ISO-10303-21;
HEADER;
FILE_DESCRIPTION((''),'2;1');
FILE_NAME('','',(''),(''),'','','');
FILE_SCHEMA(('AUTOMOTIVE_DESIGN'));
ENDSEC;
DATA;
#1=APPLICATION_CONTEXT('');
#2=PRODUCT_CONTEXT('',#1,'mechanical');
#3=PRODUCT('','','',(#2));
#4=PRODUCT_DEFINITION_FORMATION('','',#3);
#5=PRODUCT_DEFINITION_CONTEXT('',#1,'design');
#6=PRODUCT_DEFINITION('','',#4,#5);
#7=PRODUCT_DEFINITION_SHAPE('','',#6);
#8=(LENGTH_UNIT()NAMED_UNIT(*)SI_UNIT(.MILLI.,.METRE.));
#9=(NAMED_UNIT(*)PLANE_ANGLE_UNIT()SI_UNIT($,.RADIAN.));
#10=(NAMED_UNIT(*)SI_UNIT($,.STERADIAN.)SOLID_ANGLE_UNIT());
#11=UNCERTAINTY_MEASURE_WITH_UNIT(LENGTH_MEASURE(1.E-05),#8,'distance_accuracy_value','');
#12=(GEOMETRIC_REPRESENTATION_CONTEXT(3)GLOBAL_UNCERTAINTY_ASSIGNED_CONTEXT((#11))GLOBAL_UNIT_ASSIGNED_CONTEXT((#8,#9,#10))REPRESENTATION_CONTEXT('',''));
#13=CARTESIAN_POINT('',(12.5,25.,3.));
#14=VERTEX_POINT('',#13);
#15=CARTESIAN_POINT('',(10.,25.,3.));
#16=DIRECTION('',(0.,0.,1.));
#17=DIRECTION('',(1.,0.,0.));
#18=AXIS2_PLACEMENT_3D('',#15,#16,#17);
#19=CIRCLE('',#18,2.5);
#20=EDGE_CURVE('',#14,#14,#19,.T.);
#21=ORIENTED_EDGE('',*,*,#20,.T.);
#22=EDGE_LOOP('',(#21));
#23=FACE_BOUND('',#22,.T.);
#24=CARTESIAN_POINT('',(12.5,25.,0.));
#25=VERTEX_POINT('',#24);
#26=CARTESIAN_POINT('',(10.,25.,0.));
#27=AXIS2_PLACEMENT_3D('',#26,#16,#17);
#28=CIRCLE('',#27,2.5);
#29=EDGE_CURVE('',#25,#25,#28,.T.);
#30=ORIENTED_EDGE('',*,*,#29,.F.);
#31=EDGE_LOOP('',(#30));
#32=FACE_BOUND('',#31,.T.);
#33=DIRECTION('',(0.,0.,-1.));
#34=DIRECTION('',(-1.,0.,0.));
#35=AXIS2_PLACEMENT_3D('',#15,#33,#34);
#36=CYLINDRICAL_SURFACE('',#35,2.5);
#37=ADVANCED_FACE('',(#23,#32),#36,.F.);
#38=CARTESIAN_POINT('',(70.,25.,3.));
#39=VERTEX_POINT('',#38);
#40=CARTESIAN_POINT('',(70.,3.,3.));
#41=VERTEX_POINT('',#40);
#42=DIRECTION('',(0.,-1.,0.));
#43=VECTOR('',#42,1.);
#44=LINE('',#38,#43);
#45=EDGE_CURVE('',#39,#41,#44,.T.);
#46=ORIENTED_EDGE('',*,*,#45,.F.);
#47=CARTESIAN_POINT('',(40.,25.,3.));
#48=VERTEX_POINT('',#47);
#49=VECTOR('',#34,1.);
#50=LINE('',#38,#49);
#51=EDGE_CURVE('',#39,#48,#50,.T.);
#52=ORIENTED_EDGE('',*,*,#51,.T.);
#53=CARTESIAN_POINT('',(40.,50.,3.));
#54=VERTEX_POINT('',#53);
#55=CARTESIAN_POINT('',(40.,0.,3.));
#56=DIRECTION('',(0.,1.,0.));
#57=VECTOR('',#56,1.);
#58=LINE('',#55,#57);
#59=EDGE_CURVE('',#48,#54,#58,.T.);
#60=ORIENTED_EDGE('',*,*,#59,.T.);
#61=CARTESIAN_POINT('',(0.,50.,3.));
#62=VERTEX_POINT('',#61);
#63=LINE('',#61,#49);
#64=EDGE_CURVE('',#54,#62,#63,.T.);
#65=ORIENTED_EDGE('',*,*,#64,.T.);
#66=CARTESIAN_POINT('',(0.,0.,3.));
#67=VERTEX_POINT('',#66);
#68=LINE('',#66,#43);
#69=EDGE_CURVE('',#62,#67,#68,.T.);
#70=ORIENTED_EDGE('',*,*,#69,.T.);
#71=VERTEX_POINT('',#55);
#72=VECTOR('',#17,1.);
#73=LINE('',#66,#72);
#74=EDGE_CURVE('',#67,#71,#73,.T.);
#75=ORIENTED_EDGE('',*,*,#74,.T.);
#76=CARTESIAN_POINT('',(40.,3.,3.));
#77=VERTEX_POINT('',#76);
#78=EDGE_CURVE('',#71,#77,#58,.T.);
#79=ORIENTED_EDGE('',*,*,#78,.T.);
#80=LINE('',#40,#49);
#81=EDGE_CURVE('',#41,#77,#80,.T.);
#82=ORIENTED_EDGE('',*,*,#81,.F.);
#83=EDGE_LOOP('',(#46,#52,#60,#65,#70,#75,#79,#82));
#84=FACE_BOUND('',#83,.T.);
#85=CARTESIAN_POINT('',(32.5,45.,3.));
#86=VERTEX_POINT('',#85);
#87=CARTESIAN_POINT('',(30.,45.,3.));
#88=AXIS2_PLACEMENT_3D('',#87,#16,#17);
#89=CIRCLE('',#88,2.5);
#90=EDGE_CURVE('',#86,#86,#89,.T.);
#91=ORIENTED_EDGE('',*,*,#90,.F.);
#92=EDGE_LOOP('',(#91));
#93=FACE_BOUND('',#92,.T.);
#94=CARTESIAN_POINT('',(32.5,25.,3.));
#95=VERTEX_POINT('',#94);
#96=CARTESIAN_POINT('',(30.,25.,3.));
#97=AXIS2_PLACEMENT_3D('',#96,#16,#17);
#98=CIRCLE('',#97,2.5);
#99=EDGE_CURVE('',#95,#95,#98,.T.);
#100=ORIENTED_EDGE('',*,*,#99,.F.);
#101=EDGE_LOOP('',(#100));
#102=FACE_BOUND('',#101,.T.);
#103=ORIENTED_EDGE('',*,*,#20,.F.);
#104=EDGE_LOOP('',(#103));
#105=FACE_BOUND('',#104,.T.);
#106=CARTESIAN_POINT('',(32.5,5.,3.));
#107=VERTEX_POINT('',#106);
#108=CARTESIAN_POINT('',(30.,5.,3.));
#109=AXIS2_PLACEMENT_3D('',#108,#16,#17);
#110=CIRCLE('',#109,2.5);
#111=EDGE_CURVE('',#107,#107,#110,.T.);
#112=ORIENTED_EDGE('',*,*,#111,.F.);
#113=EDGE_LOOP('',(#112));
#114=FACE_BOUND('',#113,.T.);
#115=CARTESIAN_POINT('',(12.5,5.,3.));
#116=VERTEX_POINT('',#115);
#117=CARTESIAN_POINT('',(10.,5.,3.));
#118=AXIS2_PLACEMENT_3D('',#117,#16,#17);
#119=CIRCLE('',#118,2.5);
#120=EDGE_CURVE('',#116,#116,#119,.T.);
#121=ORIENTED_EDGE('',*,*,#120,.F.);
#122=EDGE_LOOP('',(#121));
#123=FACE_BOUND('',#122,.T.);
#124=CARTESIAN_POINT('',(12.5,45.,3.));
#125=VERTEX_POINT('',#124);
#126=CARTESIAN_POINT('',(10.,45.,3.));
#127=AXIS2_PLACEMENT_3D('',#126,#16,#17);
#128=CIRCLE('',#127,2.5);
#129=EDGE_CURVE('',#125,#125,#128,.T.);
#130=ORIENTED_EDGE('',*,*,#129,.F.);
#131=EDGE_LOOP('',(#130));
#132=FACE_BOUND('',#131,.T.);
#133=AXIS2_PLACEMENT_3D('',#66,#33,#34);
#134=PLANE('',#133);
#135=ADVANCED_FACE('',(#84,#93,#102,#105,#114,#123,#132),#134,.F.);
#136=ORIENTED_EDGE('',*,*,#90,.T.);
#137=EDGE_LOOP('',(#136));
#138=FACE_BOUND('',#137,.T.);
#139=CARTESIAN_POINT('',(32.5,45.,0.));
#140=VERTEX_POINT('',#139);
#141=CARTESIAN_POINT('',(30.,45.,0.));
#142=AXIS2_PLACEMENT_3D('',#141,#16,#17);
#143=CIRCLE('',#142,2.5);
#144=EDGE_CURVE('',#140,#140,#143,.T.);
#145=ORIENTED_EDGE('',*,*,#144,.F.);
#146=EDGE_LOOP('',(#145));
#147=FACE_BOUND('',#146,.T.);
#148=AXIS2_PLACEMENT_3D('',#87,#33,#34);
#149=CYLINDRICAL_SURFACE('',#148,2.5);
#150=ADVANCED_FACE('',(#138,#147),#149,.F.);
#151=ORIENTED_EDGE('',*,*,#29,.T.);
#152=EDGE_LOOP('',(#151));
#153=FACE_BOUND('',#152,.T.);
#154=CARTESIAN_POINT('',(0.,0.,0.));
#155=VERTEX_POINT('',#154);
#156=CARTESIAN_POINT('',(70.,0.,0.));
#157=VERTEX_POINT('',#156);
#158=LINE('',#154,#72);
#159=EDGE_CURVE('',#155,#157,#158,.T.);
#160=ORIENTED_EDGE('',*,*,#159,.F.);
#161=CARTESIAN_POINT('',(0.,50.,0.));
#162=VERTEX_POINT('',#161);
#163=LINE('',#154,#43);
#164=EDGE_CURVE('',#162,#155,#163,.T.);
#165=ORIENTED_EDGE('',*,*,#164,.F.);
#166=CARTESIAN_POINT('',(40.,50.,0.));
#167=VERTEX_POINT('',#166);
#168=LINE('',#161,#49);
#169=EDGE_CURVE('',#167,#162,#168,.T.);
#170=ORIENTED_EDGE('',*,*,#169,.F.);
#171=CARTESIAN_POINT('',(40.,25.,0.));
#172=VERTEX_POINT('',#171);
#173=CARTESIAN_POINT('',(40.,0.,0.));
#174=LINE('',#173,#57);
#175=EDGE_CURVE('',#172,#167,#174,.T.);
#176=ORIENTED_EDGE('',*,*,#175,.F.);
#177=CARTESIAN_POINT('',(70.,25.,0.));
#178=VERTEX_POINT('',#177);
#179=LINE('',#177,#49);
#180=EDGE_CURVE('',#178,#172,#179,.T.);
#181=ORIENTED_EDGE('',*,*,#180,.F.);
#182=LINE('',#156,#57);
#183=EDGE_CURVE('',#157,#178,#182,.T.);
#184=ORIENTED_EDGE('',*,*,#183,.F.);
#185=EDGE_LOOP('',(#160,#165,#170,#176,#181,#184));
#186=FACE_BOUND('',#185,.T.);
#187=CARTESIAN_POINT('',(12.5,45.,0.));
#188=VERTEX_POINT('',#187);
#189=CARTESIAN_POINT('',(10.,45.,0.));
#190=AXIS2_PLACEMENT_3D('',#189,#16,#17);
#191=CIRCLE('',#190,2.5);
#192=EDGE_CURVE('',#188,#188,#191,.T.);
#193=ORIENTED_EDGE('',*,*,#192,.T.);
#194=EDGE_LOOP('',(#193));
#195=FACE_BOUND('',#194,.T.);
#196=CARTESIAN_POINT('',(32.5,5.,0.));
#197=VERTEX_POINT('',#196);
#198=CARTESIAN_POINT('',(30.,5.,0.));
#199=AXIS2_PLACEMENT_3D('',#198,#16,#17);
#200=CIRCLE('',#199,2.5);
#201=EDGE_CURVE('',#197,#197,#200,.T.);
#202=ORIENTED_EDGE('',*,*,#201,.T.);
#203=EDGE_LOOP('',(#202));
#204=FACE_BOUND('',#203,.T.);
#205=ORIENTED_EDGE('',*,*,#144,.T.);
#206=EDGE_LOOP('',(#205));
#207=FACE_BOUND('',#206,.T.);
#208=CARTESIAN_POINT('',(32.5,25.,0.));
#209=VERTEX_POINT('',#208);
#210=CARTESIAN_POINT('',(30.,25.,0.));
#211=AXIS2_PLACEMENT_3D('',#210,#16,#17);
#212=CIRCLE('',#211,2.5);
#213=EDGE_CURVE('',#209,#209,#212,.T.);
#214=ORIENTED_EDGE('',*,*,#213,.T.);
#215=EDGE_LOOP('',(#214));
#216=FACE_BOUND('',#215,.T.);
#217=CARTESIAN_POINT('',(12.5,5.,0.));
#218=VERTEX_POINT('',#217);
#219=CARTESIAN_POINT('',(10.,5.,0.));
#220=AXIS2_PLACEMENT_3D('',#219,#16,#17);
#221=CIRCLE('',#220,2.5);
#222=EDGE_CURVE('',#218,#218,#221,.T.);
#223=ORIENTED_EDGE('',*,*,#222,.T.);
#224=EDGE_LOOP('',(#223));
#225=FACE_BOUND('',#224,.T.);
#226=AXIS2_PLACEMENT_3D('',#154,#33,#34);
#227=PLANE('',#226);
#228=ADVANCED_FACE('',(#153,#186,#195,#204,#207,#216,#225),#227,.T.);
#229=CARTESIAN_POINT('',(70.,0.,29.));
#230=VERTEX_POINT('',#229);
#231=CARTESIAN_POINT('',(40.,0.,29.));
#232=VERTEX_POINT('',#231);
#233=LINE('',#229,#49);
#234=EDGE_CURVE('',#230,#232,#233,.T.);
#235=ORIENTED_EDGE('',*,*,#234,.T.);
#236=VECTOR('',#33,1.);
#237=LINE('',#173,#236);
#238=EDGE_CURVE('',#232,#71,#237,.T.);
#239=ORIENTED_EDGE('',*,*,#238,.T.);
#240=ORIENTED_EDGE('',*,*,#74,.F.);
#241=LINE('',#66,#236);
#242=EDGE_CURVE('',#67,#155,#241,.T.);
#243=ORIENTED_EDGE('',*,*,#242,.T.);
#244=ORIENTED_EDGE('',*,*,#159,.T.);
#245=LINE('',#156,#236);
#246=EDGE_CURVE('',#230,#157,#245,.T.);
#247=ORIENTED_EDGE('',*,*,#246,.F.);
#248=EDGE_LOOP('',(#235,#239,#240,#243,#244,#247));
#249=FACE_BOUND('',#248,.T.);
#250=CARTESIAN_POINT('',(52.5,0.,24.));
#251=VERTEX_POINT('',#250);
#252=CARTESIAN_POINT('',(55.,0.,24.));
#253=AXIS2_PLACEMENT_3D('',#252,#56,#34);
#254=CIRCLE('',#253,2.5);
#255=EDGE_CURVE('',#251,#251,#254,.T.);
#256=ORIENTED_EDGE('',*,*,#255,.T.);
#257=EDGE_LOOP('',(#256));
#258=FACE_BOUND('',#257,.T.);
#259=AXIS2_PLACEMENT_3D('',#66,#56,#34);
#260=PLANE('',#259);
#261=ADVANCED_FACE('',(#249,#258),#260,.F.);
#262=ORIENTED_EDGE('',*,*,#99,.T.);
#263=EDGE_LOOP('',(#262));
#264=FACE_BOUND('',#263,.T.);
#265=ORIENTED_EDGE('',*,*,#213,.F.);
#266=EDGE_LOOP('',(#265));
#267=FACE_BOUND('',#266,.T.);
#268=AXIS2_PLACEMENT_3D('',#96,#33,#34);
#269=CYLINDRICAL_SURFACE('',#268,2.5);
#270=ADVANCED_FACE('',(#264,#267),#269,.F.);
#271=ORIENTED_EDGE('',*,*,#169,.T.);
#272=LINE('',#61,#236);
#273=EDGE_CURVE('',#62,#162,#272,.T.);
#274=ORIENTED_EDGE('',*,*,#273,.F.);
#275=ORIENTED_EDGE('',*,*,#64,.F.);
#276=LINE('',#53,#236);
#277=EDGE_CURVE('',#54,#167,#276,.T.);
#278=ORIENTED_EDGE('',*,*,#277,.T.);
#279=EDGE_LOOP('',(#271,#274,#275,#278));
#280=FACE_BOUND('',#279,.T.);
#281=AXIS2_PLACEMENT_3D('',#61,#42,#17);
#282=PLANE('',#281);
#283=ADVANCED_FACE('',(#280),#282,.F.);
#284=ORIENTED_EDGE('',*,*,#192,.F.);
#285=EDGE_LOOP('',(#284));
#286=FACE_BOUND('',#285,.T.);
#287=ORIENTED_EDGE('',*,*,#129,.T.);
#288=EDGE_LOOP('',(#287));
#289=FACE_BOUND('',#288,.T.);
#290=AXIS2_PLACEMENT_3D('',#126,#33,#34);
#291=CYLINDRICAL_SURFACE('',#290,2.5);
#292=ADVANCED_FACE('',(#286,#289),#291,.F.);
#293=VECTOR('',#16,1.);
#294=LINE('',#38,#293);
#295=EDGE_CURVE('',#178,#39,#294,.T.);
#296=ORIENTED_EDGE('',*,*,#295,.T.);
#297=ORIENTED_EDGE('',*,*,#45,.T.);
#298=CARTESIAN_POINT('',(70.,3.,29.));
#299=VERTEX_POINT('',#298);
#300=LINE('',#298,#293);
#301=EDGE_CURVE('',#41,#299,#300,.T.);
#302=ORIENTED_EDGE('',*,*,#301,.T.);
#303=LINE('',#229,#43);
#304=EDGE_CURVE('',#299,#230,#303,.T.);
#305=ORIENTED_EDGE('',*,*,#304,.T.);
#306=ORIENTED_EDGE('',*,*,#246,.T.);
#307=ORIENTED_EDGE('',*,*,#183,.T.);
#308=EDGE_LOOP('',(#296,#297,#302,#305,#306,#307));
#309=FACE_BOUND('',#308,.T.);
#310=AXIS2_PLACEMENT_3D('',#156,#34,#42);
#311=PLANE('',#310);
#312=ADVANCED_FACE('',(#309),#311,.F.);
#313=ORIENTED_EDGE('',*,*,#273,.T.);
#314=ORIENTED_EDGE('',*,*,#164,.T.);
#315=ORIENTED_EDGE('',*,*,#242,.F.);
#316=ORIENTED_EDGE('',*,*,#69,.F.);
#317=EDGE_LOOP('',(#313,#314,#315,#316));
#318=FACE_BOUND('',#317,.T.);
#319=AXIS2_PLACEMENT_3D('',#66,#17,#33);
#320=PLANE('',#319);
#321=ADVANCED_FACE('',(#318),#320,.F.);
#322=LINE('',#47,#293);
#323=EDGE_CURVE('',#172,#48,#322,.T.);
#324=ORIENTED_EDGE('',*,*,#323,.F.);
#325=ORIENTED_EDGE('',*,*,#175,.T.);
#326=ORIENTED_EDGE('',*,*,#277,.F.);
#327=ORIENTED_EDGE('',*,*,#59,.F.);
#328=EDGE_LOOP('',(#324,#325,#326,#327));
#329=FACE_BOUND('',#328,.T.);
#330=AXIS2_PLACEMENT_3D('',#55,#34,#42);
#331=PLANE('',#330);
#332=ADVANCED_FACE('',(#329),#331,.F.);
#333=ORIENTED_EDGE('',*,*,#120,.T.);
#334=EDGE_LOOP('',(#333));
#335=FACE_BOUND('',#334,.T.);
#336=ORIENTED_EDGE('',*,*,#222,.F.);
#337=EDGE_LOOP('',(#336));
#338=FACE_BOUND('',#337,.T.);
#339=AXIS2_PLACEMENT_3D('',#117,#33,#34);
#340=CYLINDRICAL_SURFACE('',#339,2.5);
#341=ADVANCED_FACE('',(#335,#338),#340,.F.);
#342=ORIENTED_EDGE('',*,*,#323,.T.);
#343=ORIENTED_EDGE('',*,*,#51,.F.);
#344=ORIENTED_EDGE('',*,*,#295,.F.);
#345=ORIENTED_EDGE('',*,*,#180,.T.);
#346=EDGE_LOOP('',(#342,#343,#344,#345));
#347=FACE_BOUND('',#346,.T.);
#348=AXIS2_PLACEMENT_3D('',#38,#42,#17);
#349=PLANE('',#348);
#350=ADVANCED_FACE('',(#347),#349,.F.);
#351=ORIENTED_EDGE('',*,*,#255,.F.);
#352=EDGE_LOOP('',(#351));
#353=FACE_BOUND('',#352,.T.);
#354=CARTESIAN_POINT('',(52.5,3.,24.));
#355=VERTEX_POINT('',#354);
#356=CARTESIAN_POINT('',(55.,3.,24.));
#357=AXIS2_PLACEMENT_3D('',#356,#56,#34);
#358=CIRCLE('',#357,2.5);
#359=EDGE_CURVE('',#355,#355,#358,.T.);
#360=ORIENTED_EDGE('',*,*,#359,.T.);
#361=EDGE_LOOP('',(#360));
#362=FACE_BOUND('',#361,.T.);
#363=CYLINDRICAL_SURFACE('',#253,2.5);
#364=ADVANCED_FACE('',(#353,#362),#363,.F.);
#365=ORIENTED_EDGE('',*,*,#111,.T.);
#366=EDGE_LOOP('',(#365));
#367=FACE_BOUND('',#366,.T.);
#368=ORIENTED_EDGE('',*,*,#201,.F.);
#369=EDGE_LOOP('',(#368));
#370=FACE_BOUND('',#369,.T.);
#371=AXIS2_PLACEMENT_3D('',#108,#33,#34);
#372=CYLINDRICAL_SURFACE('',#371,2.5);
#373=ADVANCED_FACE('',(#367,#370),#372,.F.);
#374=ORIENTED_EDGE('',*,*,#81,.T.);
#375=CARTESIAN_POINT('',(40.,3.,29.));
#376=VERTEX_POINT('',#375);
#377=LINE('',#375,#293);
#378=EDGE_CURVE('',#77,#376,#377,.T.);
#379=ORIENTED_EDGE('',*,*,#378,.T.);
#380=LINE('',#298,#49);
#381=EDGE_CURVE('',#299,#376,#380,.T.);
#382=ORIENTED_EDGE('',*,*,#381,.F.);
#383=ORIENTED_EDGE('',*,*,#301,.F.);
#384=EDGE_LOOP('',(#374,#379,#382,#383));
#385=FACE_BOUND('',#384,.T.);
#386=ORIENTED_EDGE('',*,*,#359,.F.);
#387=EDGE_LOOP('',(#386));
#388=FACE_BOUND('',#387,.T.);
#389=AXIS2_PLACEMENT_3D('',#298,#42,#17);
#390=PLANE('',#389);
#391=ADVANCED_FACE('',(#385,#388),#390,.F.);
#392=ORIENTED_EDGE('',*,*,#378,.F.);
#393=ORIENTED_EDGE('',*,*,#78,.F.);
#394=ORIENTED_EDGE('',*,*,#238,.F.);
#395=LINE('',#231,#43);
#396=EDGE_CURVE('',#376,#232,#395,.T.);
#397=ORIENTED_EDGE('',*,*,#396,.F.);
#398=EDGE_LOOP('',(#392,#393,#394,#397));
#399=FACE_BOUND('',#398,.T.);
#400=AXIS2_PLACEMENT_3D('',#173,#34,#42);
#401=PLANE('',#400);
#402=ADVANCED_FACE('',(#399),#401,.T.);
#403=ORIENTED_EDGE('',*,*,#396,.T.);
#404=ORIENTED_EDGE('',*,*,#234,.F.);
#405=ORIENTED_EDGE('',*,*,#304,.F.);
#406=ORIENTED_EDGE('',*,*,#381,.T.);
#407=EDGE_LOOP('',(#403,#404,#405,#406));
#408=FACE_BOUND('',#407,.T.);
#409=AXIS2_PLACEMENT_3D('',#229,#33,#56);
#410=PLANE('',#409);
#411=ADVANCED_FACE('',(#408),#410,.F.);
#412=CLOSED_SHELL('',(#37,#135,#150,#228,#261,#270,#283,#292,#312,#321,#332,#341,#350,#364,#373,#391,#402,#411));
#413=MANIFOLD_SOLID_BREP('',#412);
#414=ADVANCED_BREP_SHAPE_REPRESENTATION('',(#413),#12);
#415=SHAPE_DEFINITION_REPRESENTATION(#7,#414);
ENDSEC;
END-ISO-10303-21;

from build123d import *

# Parameters (mm, degrees)
SKETCH1_W               = 40
SKETCH1_H               = 50
SKETCH1_R               = 2.5
BOSS_EXTRUDE1_DEPTH     = 3
BOSS_EXTRUDE2_DEPTH     = 30
SKETCH4_R               = 2.5
CUT_EXTRUDE2_DEPTH      = 48
CUT_EXTRUDE2_DEPTH_BACK = 4


with BuildPart() as part:
    # Sketch1 → Boss-Extrude1 (new body)
    with BuildSketch(Plane.XY):
        with Locations((20, 25)):
            Rectangle(SKETCH1_W, SKETCH1_H)
        with Locations((30, 45)):
            Circle(SKETCH1_R, mode=Mode.SUBTRACT)
        with Locations((10, 45)):
            Circle(SKETCH1_R, mode=Mode.SUBTRACT)
        with Locations((10, 25)):
            Circle(SKETCH1_R, mode=Mode.SUBTRACT)
        with Locations((10, 5)):
            Circle(SKETCH1_R, mode=Mode.SUBTRACT)
        with Locations((30, 25)):
            Circle(SKETCH1_R, mode=Mode.SUBTRACT)
        with Locations((30, 5)):
            Circle(SKETCH1_R, mode=Mode.SUBTRACT)
    extrude(amount=BOSS_EXTRUDE1_DEPTH)

    # Sketch2 → Boss-Extrude2 (add)
    with BuildSketch(Plane(origin=(40, 0, 0), x_dir=(0, 0, -1), z_dir=(1, 0, 0))):
        Polygon((0, 0), (-29, 0), (-29, 3), (-3, 3), (-3, 25), (0, 25), align=None)
    extrude(amount=BOSS_EXTRUDE2_DEPTH)

    # Sketch4 → Cut-Extrude2 (cut, two sides)
    with BuildSketch(Plane(origin=(0, 3, 0), x_dir=(1, 0, 0), z_dir=(0, 1, 0))) as cut_extrude2_sk:
        with Locations((55, -24)):
            Circle(SKETCH4_R)
    extrude(amount=CUT_EXTRUDE2_DEPTH, mode=Mode.SUBTRACT)
    extrude(cut_extrude2_sk.sketch, amount=-CUT_EXTRUDE2_DEPTH_BACK, mode=Mode.SUBTRACT)


solid = part.part
